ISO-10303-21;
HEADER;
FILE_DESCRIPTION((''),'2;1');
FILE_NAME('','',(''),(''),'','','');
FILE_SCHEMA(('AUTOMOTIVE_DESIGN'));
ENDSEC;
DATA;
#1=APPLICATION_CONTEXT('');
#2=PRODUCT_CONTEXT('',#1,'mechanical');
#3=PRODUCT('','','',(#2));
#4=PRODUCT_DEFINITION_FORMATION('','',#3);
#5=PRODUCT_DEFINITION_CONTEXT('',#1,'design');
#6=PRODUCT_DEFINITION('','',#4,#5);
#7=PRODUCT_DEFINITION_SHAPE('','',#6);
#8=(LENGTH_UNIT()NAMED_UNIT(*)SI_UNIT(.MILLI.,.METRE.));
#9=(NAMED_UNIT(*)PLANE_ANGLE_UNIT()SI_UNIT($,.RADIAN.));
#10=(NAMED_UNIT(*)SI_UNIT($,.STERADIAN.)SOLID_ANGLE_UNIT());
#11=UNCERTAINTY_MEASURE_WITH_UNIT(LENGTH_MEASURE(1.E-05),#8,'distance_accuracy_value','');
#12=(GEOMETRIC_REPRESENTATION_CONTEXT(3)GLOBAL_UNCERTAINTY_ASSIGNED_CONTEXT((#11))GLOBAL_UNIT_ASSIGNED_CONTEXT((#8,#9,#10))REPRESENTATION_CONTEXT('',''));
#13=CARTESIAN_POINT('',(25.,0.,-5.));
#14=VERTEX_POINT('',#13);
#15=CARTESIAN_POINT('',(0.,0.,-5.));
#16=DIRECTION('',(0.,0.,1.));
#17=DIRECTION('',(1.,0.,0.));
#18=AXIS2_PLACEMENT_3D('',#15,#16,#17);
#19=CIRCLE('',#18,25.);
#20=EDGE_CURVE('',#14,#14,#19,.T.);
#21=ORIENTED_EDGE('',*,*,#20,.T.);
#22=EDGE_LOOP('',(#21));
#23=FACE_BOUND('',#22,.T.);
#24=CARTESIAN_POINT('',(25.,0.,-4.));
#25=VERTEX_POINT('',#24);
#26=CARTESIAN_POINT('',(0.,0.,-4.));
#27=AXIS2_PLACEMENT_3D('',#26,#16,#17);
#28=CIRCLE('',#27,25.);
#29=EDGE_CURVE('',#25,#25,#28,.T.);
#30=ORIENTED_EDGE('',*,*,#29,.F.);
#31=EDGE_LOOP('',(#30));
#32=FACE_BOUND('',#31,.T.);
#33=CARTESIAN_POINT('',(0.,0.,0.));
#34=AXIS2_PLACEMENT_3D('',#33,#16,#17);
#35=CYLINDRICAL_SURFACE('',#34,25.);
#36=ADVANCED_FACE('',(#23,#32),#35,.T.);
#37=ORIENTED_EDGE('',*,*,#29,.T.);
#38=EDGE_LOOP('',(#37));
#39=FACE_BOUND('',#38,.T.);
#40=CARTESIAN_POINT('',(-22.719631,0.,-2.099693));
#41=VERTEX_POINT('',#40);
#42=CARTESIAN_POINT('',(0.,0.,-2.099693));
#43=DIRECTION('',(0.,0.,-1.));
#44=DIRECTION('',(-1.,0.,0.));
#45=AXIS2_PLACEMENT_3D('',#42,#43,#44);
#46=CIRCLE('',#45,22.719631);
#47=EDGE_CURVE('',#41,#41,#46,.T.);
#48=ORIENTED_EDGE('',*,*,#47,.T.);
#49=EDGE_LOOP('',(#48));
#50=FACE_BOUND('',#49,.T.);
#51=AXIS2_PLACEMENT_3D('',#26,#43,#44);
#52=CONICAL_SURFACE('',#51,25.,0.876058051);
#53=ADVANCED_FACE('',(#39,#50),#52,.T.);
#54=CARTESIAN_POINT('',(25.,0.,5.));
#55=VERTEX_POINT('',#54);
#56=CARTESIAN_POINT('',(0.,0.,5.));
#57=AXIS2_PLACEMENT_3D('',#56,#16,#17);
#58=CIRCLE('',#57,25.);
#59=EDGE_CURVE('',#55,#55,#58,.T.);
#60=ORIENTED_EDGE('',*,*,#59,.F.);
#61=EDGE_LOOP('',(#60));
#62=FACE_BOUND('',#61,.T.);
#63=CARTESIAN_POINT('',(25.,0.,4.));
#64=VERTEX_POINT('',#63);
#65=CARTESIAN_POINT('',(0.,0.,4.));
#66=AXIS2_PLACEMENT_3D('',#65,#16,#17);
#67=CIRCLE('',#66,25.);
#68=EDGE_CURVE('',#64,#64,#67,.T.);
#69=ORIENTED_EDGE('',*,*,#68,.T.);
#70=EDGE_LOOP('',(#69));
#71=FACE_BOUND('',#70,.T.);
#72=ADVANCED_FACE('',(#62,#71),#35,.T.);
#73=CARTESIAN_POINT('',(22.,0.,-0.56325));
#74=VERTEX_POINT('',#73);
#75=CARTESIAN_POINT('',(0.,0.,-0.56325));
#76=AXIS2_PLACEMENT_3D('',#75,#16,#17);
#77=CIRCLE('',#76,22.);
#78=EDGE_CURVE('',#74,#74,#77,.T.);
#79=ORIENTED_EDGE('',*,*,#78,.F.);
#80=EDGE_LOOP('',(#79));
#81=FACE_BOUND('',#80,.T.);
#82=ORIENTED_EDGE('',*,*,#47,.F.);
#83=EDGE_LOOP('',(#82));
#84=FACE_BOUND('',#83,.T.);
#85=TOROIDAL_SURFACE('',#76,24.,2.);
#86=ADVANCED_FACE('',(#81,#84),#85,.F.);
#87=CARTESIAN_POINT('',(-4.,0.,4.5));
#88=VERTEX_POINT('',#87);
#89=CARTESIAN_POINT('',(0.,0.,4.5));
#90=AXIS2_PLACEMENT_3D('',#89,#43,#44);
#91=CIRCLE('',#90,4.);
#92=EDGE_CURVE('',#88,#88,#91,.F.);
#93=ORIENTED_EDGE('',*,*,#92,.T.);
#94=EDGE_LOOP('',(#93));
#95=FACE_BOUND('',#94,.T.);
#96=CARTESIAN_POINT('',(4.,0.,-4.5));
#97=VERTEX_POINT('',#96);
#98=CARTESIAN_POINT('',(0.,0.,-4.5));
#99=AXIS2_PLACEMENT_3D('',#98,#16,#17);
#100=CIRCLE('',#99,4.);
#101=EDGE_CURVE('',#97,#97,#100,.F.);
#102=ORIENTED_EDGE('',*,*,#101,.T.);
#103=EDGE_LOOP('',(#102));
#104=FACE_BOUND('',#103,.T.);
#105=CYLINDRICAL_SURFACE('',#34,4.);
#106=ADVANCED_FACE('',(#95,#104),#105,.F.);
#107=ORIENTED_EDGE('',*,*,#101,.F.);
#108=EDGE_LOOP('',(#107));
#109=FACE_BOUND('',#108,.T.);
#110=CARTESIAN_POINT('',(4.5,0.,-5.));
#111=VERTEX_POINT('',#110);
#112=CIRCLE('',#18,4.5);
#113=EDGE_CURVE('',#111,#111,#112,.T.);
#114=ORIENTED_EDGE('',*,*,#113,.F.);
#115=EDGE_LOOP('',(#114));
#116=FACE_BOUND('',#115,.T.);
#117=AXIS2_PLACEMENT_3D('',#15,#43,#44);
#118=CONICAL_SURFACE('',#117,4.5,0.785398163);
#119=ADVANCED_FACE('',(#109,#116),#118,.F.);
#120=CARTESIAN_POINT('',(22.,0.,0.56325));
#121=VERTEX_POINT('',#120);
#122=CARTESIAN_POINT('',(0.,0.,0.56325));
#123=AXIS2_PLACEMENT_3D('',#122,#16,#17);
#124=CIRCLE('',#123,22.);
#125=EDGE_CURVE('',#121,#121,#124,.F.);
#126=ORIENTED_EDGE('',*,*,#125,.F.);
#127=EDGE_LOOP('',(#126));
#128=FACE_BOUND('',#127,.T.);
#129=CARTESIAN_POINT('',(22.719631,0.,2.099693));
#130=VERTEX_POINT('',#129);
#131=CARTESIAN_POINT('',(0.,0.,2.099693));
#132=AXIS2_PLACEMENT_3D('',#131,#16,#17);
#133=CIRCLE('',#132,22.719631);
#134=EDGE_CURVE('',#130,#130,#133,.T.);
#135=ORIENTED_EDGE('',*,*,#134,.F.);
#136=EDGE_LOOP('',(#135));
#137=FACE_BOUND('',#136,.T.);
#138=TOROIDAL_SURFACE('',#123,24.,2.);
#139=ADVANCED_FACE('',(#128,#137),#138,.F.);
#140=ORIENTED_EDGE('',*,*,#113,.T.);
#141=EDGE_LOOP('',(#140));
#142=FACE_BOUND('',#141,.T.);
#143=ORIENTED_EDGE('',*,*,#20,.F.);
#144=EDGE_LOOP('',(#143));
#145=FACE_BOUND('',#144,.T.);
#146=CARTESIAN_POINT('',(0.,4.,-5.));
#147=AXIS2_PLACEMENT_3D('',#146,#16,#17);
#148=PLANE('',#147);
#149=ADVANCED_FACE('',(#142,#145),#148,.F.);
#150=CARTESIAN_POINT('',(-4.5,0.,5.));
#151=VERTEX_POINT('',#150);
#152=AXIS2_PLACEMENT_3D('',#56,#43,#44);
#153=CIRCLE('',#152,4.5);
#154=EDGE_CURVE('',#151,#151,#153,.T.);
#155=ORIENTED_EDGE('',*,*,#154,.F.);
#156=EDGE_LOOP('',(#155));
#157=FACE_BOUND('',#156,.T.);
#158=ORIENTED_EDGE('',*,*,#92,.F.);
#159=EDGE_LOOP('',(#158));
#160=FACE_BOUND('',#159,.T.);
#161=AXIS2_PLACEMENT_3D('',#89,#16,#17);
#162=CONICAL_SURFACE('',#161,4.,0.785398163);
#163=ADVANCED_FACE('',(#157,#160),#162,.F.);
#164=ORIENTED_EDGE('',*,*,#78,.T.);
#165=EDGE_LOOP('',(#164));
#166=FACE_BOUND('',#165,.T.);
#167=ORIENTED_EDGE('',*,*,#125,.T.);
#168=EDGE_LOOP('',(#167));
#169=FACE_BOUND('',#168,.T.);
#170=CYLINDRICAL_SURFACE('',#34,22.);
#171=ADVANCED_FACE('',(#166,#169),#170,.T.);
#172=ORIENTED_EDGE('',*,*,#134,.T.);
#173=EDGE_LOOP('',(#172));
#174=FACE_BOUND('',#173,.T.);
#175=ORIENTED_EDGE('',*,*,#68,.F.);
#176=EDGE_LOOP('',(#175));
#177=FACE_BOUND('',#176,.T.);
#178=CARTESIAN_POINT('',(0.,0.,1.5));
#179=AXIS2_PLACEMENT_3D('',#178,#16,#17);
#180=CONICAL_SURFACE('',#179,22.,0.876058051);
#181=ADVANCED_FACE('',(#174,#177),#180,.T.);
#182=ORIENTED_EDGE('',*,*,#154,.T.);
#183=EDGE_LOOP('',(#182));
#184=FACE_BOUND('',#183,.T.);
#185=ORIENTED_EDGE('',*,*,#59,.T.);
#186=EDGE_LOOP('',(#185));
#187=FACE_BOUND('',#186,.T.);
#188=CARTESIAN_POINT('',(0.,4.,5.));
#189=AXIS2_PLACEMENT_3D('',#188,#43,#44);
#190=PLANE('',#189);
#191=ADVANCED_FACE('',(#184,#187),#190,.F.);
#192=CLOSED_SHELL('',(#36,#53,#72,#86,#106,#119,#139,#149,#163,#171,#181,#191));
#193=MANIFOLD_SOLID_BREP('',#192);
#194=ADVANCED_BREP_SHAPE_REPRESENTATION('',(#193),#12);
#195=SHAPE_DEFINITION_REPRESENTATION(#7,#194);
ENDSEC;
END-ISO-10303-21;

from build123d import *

# Parameters (mm, degrees)
ZAOKR_GLENIE1_R  = 2
SFAZOWANIE1_SIZE = 0.5


with BuildPart() as part:
    # Szkic1 → Obrót1 (revolve)
    with BuildSketch(Plane(origin=(0, 0, 0), x_dir=(0, 0, -1), z_dir=(1, 0, 0)), mode=Mode.PRIVATE) as obr_t1_sk:
        Polygon((-5, 4), (5, 4), (5, 25), (4, 25), (1.5, 22), (-1.5, 22), (-4, 25), (-5, 25), align=None)
    revolve(obr_t1_sk.sketch.rotate(Axis((0, 0, 0), (0, 0, -1)), 90), axis=Axis((0, 0, 0), (0, 0, -1)))

    # Zaokrąglenie1
    zaokr_glenie1_edges = [part.edges().sort_by_distance(p)[0] for p in [
        (-22, 0, -1.5),
        (-22, 0, 1.5),
    ]]
    fillet(zaokr_glenie1_edges, radius=ZAOKR_GLENIE1_R)

    # Sfazowanie1
    sfazowanie1_edges = [part.edges().sort_by_distance(p)[0] for p in [
        (-4, 0, 5),
        (-4, 0, -5),
    ]]
    chamfer(sfazowanie1_edges, length=SFAZOWANIE1_SIZE)


solid = part.part
